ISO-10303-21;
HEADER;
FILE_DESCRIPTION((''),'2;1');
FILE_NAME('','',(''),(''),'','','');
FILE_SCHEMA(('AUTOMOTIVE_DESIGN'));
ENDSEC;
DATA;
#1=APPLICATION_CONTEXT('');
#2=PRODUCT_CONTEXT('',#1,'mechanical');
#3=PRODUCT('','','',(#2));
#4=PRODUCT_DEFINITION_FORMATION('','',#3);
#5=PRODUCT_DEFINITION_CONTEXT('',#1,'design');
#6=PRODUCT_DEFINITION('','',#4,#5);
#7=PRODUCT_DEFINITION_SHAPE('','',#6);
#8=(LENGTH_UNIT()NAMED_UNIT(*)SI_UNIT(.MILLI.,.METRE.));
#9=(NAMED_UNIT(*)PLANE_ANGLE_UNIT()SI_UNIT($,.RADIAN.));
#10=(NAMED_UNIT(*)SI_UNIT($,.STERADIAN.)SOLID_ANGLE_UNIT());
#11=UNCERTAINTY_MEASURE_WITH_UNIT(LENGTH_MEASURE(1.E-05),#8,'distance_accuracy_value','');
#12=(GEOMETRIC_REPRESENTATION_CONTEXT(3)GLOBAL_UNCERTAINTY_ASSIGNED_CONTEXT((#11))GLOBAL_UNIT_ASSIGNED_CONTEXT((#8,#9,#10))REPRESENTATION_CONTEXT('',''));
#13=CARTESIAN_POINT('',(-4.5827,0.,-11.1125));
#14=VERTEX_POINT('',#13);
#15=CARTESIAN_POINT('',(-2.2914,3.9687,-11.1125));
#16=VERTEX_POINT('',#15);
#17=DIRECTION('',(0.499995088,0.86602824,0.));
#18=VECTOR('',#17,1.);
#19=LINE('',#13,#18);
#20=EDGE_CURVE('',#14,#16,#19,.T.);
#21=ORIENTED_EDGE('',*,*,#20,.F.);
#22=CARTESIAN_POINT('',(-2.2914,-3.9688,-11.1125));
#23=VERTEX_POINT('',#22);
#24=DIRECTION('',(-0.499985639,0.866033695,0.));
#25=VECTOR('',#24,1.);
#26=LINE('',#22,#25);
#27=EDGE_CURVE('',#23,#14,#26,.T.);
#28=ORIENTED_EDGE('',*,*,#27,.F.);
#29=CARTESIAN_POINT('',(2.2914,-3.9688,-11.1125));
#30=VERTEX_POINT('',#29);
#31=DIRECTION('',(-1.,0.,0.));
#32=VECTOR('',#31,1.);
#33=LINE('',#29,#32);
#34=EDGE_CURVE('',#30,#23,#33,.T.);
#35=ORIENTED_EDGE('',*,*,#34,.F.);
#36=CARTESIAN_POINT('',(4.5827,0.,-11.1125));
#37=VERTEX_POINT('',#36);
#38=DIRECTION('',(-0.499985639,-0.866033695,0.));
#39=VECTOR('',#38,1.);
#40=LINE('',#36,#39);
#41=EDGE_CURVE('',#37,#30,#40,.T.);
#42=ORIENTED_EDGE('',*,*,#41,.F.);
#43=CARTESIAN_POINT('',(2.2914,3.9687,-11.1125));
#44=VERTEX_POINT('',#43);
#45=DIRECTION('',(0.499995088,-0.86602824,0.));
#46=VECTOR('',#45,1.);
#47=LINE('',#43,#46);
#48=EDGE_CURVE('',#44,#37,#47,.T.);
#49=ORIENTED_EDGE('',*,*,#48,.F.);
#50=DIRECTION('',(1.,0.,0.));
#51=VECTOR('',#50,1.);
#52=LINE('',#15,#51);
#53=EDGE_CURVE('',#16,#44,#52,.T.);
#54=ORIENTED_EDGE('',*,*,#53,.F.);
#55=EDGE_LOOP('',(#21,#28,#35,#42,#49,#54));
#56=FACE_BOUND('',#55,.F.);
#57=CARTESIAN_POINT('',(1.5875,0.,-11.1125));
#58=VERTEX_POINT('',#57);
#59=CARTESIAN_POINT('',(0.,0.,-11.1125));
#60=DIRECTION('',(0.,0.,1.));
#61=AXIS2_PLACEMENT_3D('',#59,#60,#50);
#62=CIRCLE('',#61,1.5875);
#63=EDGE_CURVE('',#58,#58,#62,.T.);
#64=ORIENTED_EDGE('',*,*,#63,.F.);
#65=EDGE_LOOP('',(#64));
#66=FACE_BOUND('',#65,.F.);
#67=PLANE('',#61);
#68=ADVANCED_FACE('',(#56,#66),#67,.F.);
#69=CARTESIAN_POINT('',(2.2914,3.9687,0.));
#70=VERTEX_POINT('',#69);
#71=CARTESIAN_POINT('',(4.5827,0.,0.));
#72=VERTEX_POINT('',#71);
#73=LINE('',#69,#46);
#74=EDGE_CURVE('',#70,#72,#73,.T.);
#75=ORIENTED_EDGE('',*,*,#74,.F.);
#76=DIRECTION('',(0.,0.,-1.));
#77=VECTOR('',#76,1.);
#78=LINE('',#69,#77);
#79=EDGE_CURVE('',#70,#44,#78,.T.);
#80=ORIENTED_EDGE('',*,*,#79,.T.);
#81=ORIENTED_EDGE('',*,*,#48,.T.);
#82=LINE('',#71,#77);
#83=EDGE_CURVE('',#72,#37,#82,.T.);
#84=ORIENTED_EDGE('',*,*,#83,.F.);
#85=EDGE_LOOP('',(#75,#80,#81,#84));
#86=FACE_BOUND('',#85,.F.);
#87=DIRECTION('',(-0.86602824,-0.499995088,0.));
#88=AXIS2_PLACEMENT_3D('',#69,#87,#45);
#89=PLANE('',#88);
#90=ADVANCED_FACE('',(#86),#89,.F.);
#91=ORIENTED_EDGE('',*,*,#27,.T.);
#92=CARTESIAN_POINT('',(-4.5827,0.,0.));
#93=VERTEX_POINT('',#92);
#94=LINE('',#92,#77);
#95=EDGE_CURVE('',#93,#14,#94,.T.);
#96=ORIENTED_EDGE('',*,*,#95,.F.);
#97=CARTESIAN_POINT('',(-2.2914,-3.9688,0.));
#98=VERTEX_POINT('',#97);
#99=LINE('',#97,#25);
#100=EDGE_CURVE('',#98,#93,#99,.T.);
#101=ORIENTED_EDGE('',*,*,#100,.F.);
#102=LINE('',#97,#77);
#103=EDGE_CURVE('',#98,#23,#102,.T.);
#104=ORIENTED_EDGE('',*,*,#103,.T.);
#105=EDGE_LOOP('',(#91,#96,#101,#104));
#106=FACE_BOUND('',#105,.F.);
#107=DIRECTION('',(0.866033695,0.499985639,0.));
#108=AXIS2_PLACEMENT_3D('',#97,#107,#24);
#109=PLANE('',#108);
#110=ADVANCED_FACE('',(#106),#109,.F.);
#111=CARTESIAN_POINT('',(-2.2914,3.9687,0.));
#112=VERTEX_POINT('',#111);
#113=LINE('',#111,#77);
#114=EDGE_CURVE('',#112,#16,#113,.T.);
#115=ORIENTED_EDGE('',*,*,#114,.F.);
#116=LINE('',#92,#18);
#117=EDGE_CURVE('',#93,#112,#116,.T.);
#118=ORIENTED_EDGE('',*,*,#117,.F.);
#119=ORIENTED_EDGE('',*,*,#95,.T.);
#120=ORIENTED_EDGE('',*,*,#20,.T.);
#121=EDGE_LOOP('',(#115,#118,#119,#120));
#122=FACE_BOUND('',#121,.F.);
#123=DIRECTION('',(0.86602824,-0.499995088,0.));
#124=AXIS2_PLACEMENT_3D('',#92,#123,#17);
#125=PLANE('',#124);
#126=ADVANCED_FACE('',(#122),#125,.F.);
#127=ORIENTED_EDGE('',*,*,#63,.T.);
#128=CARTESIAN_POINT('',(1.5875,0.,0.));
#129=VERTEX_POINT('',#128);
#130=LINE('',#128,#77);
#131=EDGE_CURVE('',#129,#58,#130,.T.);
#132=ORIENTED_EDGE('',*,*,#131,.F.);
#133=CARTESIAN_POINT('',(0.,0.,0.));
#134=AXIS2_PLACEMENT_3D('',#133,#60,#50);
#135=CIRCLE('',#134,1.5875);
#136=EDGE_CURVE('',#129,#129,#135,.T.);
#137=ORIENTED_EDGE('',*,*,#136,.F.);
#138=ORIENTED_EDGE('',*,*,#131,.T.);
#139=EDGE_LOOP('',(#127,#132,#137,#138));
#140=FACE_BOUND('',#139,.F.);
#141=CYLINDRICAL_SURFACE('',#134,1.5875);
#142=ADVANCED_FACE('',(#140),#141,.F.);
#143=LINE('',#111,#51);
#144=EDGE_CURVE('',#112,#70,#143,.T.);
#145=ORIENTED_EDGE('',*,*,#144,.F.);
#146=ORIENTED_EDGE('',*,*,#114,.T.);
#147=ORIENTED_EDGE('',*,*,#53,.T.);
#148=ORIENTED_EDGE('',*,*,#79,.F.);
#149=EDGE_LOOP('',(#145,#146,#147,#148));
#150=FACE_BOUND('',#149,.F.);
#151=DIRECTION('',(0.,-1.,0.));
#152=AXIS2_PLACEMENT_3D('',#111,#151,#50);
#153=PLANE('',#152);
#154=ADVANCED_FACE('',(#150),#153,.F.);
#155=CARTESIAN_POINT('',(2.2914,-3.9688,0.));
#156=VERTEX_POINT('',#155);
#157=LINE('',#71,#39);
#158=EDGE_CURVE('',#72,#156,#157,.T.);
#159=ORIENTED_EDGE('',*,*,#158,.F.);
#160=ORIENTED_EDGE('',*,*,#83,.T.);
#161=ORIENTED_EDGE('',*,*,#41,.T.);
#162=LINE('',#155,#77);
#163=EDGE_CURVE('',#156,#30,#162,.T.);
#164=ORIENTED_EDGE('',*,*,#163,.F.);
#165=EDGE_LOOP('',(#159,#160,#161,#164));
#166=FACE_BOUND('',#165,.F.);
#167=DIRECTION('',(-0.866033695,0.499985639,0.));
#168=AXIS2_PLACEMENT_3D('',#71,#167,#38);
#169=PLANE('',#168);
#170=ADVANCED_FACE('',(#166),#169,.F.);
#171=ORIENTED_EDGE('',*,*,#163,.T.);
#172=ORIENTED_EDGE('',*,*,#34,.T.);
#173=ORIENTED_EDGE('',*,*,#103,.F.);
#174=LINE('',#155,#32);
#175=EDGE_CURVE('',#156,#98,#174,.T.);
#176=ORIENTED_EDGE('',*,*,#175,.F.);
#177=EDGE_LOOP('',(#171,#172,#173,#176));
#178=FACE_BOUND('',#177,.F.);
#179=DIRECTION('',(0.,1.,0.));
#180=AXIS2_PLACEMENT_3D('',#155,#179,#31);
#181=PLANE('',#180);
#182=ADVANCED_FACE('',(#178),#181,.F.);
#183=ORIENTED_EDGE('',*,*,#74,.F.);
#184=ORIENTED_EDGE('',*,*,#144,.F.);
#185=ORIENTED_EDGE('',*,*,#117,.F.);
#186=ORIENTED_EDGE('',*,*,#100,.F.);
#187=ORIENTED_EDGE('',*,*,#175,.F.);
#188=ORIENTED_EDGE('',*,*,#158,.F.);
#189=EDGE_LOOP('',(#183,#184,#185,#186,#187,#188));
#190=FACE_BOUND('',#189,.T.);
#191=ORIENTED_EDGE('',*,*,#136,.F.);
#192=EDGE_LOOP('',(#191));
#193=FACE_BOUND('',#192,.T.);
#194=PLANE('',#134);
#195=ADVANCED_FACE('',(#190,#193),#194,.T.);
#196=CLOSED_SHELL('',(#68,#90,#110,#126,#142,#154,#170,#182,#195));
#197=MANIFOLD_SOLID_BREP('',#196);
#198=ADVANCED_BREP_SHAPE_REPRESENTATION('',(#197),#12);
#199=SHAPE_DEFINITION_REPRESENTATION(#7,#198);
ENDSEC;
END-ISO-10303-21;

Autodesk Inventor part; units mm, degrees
ref_plane "YZ Plane" through (0, 0, 0) normal (1, 0, 0) x (0, 1, 0)
ref_plane "XZ Plane" through (0, 0, 0) normal (0, 1, 0) x (-1, 0, 0)
ref_plane "XY Plane" through (0, 0, 0) normal (0, 0, 1) x (1, 0, 0)
sketch "Sketch1" plane through (0, 0, 0) normal (0, 0, 1) x (1, 0, 0)
  line L0 (-4.5827, 0) -> (-2.2914, 3.9687)
  line L1 (-2.2914, 3.9687) -> (2.2914, 3.9687)
  line L2 (2.2914, 3.9687) -> (4.5827, 0)
  line L3 (4.5827, 0) -> (2.2914, -3.9688)
  line L4 (2.2914, -3.9688) -> (-2.2914, -3.9688)
  line L5 (-2.2914, -3.9688) -> (-4.5827, 0)
  circle A0 centre (0, 0) radius 1.5875
  dimension "d0" = 7.9375
  dimension "d1" = 3.175
extrude "Extrusion1" add sketch "Sketch1" against normal blind 11.1125
thread "Thread1" size "5-40 UNC" class "2B" standard "ANSI Unified Screw Threads" full length
properties part number "CouplingNutThread_5_40" material "Stainless Steel"
